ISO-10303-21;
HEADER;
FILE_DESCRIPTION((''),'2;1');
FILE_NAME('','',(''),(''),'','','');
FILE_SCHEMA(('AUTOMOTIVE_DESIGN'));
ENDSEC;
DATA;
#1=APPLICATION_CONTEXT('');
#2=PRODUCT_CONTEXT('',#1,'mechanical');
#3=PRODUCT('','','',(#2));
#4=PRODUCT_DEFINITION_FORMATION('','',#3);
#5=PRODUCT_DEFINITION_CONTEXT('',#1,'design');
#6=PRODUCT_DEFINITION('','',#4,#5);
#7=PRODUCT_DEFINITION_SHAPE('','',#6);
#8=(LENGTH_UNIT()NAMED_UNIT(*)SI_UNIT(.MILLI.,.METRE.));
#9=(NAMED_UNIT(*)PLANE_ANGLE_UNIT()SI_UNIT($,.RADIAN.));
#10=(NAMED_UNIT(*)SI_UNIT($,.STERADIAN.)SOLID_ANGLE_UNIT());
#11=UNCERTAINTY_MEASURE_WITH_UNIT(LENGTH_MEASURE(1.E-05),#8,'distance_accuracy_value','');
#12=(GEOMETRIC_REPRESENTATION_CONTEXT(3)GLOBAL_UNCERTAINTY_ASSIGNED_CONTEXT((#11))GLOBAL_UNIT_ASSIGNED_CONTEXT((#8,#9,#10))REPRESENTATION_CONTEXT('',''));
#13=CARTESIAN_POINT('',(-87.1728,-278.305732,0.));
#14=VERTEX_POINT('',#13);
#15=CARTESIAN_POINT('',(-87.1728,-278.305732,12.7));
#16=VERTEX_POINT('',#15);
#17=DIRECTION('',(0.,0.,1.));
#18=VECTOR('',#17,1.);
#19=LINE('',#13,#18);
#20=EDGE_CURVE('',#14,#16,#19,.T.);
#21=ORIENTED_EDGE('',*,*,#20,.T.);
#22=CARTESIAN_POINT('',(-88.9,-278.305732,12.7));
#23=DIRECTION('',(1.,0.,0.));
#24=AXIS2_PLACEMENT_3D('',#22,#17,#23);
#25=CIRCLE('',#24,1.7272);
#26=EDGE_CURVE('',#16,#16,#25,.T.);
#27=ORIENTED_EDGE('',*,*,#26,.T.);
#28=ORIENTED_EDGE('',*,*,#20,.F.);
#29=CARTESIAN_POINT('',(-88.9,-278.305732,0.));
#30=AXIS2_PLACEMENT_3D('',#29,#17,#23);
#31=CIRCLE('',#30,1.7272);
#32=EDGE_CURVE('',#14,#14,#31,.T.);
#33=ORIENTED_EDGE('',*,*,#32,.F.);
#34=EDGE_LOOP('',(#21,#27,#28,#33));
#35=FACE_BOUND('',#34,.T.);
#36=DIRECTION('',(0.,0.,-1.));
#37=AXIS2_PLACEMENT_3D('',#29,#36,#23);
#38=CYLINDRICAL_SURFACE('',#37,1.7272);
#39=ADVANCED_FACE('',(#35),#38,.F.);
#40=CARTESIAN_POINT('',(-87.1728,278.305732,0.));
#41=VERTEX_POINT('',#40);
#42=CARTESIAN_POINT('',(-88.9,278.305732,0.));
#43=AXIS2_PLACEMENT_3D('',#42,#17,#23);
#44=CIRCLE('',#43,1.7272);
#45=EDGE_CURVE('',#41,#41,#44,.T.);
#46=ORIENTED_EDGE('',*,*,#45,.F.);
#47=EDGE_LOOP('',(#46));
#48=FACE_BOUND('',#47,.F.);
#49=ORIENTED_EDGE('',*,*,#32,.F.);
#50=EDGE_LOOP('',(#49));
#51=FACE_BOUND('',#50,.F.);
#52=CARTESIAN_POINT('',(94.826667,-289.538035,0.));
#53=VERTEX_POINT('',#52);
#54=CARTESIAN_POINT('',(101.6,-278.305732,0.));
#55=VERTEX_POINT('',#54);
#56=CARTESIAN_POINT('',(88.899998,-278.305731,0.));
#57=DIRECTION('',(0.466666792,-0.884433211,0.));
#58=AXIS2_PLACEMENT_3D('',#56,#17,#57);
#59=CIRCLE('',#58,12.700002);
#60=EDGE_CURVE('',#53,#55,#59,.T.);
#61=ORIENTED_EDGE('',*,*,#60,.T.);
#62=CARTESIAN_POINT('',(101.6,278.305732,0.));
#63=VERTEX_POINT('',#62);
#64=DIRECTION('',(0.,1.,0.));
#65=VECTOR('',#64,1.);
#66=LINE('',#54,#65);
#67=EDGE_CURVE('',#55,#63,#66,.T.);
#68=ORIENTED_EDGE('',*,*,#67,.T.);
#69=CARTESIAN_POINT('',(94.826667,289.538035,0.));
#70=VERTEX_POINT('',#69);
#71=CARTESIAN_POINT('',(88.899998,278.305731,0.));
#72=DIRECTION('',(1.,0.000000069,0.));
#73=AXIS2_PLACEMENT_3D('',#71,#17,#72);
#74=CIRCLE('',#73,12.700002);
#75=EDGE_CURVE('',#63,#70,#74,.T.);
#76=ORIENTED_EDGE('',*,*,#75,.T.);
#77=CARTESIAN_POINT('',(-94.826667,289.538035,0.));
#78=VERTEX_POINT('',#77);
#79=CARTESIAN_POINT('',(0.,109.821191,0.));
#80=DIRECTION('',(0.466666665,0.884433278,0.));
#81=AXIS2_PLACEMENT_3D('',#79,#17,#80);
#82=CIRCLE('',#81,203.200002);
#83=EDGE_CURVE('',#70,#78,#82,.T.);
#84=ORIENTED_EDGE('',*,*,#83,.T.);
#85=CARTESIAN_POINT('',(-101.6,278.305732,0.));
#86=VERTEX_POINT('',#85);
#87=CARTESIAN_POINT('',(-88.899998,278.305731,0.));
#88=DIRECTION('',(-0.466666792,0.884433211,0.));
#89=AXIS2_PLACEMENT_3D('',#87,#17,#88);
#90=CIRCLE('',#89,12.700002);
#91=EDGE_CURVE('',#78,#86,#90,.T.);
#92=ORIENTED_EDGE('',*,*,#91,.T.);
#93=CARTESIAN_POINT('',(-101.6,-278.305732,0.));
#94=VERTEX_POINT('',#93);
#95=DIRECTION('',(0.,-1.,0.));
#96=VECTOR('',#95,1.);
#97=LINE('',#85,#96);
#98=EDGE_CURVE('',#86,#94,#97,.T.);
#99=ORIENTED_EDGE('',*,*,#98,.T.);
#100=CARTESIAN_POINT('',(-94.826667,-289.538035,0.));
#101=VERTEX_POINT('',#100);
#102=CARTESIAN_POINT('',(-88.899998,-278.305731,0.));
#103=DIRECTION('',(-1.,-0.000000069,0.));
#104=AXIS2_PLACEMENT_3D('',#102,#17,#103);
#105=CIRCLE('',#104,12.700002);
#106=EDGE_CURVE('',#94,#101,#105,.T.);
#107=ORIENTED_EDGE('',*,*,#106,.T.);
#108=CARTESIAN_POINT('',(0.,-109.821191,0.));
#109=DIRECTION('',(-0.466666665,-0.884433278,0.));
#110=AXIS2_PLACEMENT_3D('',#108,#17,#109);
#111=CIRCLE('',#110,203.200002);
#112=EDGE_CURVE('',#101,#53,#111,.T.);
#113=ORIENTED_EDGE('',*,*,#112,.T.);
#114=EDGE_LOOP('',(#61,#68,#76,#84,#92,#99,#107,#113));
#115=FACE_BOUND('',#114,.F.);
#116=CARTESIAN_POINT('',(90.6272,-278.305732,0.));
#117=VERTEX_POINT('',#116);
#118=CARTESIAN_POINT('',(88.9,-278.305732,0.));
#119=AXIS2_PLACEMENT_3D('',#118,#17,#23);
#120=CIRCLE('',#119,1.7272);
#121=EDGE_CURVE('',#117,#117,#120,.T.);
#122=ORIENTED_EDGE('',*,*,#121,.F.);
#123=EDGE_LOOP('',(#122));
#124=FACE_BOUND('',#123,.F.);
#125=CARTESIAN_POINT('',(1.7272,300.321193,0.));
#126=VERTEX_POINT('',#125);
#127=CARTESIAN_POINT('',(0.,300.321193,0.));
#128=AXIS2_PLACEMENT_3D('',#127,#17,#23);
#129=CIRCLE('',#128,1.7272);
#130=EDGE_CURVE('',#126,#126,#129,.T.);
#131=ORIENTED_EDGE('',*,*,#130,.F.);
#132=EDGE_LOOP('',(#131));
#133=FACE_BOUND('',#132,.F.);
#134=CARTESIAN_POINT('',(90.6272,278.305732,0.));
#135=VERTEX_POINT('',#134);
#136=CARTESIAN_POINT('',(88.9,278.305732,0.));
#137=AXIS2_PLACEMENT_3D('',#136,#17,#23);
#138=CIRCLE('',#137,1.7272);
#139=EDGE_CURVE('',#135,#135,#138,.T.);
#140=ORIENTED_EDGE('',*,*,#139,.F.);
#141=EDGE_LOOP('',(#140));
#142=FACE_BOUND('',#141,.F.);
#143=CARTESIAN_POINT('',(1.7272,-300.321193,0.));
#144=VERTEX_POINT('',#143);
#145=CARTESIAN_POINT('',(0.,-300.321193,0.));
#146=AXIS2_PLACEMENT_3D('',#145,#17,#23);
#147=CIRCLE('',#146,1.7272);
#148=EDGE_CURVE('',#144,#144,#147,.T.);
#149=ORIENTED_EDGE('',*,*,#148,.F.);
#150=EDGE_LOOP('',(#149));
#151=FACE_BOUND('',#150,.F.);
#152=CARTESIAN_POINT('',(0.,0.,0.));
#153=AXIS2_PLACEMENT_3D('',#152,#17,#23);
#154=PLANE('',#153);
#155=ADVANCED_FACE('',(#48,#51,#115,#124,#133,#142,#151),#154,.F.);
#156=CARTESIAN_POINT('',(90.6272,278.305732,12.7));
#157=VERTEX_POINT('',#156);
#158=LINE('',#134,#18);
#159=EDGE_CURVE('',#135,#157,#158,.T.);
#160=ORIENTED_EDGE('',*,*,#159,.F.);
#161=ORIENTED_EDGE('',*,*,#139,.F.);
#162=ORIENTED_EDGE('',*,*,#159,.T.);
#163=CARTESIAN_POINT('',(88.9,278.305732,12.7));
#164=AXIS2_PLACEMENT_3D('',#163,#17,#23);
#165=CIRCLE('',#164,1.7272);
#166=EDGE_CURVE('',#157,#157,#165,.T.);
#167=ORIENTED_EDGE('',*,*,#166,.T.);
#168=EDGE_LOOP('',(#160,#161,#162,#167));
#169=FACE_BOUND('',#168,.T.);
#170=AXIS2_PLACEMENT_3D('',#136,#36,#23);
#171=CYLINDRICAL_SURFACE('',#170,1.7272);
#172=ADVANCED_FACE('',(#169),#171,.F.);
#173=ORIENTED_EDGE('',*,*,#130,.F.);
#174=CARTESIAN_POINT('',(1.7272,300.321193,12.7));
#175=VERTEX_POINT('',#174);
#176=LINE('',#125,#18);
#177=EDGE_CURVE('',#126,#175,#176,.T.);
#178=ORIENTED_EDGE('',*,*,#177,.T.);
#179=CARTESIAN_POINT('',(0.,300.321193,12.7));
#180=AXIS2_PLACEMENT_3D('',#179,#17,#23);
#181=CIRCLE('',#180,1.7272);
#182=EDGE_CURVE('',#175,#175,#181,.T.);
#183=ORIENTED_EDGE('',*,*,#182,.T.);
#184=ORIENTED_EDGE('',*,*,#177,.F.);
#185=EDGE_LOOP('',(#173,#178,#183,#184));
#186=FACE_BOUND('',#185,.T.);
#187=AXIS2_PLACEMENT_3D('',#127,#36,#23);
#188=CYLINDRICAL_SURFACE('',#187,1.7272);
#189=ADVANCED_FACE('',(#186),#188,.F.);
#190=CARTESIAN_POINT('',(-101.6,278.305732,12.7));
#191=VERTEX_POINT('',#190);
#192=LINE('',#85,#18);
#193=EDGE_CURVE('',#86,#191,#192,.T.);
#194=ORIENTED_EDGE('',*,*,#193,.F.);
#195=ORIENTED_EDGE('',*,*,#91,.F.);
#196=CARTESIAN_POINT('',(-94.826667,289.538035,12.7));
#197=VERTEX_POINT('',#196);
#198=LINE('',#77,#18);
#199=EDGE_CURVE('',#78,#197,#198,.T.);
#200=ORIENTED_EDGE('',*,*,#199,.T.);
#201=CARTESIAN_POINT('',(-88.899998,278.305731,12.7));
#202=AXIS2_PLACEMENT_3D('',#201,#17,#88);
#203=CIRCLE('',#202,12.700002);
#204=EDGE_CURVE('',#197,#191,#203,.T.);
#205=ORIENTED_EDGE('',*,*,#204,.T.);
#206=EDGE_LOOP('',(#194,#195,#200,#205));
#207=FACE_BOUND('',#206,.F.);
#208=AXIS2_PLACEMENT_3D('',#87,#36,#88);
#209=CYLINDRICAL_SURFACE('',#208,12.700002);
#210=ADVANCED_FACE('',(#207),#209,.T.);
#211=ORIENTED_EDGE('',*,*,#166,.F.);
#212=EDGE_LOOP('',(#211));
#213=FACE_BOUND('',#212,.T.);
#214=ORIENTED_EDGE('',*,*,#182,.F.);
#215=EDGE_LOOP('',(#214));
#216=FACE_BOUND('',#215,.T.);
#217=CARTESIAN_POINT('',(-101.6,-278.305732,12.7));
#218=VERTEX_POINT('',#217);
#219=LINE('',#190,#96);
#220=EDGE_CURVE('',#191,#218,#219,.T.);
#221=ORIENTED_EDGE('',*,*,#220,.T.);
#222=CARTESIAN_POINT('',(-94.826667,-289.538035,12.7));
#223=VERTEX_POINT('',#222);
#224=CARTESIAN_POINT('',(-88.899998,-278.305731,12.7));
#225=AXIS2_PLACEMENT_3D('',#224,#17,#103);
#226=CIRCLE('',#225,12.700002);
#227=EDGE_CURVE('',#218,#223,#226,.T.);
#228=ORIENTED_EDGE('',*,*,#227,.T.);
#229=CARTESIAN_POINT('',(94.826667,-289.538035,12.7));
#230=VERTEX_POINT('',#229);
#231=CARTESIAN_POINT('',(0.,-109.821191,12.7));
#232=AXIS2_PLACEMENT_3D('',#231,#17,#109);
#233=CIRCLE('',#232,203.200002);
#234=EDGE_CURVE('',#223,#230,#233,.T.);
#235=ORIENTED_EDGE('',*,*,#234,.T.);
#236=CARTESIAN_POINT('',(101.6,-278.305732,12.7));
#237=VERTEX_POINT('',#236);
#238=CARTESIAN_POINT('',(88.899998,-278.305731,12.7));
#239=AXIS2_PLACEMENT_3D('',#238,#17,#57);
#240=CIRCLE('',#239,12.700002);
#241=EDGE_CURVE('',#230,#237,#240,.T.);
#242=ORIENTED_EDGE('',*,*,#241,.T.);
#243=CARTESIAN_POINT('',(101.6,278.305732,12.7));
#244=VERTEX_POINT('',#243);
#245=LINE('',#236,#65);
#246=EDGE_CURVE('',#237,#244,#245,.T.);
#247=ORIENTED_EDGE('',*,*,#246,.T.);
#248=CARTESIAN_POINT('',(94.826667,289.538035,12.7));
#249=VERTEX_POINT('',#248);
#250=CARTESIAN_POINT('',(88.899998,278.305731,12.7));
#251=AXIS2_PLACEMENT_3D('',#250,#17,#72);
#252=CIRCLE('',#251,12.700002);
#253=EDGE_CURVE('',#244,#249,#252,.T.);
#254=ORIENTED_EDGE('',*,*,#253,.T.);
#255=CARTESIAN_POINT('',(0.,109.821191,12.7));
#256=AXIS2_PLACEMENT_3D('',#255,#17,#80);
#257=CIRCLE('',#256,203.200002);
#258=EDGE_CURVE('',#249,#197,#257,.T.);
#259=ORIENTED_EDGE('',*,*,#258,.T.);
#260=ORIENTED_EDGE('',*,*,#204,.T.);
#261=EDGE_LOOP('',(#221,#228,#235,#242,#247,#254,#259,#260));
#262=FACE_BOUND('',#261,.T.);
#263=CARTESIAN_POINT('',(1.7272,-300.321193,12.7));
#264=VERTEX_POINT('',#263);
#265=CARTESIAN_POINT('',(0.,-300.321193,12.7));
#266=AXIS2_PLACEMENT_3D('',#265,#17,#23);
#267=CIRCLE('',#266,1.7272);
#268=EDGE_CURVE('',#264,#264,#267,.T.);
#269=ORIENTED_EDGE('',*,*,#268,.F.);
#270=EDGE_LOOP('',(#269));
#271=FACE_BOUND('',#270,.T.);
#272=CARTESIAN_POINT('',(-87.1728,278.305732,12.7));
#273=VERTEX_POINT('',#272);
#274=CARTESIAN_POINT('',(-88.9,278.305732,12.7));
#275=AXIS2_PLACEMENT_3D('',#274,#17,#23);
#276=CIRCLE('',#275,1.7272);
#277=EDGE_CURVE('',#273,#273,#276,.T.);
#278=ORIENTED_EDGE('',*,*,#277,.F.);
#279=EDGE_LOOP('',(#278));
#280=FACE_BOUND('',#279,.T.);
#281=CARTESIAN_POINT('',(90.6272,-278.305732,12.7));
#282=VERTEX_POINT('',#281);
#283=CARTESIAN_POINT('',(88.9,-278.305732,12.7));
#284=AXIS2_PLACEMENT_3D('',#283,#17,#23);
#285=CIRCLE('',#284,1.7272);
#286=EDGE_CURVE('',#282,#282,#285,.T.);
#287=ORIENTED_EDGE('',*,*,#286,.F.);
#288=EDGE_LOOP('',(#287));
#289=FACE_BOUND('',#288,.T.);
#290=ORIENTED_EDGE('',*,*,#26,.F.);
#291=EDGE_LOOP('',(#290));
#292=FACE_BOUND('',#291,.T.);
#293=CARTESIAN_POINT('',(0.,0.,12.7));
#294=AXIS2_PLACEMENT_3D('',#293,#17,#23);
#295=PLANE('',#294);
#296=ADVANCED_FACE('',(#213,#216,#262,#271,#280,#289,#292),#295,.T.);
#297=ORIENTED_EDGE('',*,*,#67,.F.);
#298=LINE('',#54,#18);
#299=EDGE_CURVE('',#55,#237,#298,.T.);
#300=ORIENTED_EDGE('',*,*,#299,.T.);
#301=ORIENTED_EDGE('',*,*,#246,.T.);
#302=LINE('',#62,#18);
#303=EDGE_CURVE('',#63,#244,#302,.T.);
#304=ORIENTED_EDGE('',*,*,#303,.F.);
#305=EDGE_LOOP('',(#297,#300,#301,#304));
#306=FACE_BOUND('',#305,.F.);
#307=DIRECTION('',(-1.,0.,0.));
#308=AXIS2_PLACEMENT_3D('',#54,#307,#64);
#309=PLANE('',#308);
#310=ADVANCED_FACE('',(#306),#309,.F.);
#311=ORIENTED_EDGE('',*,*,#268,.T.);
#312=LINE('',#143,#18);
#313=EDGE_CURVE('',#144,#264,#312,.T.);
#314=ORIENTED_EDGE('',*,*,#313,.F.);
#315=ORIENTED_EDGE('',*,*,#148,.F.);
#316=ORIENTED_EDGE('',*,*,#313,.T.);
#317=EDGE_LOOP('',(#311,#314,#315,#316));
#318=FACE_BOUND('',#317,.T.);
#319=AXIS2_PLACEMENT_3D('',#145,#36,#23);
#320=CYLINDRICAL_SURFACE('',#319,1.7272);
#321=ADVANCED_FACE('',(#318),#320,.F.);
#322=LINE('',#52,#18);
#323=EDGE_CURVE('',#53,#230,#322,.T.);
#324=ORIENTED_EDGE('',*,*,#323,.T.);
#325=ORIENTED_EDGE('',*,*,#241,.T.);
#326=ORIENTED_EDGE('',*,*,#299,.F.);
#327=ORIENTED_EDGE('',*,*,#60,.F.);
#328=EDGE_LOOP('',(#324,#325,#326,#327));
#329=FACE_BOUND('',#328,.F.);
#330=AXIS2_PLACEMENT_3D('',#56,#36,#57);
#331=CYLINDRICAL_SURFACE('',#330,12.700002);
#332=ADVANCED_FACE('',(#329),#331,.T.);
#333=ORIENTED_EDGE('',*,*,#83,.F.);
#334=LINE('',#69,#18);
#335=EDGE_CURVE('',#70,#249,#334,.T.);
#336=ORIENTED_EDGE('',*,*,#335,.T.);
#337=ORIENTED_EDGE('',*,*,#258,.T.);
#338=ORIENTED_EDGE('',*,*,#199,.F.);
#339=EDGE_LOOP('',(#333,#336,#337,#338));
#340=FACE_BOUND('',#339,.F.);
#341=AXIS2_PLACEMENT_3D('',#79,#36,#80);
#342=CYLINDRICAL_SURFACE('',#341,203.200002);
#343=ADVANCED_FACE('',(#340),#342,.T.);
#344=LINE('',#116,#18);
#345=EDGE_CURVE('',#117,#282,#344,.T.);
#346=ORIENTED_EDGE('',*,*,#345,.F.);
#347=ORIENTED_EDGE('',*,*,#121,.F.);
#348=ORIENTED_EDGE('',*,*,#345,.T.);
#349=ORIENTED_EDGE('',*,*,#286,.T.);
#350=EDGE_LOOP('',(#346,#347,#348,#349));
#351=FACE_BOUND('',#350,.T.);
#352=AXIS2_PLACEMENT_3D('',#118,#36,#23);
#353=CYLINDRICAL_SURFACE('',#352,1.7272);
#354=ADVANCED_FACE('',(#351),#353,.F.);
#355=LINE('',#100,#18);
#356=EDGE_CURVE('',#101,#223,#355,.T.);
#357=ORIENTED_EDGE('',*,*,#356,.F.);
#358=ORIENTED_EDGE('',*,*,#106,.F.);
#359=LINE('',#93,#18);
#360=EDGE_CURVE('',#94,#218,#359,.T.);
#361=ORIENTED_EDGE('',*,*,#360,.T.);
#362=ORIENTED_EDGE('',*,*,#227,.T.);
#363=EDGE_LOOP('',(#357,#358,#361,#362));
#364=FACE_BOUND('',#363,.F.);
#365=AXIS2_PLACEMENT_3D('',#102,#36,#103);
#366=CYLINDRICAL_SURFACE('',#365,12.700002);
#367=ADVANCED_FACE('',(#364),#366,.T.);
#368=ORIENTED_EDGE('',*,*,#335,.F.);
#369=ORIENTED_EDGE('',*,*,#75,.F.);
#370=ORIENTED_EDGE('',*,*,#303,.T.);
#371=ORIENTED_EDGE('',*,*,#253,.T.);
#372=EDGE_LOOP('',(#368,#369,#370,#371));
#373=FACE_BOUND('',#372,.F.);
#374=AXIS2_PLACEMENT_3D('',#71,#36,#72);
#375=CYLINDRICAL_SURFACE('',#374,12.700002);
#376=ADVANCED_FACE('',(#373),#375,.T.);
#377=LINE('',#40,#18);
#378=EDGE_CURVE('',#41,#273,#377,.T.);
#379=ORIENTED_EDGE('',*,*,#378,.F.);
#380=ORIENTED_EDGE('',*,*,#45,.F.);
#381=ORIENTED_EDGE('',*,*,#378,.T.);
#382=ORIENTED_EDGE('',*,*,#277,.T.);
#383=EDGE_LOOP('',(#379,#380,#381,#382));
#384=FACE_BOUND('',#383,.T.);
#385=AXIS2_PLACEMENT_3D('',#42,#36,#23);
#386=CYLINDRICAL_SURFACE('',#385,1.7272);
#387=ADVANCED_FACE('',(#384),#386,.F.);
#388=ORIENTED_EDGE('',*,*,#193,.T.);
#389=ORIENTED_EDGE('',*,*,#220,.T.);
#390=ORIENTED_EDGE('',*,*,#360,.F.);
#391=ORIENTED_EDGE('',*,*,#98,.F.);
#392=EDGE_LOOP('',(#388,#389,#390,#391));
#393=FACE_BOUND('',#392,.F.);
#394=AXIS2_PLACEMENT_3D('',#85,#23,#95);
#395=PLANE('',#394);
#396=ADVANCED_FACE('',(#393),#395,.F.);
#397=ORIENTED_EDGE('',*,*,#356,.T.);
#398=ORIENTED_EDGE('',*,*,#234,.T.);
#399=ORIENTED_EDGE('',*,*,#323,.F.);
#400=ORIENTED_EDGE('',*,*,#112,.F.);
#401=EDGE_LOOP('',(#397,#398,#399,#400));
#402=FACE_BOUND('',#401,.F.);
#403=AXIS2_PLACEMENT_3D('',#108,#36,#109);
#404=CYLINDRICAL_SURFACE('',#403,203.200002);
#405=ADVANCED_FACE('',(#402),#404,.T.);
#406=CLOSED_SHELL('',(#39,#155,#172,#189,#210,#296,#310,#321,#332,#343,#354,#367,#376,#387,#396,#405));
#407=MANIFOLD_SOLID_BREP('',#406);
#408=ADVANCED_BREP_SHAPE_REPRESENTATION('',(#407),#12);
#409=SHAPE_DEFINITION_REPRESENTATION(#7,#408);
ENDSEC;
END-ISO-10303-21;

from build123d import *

# Parameters (mm, degrees)
F0_R     = 1.7272
F1_DEPTH = 12.7


with BuildPart() as f1:
    # F0 (on Top) → F1 (new body)
    with BuildSketch(Plane.XY):
        with BuildLine():
            Line((101.6, -278.305732), (101.6, 278.305732))
            ThreePointArc((101.6, 278.305732), (99.77563, 284.863984), (94.826667, 289.538035))
            ThreePointArc((94.826667, 289.538035), (0, 313.021193), (-94.826667, 289.538035))
            ThreePointArc((-94.826667, 289.538035), (-99.77563, 284.863984), (-101.6, 278.305732))
            Line((-101.6, 278.305732), (-101.6, -278.305732))
            ThreePointArc((-101.6, -278.305732), (-99.77563, -284.863984), (-94.826667, -289.538035))
            ThreePointArc((-94.826667, -289.538035), (0, -313.021193), (94.826667, -289.538035))
            ThreePointArc((94.826667, -289.538035), (99.77563, -284.863984), (101.6, -278.305732))
        make_face()
        with Locations((-88.9, -278.305732)):
            Circle(F0_R, mode=Mode.SUBTRACT)
        with Locations((0, -300.321193)):
            Circle(F0_R, mode=Mode.SUBTRACT)
        with Locations((88.9, -278.305732)):
            Circle(F0_R, mode=Mode.SUBTRACT)
        with Locations((-88.9, 278.305732)):
            Circle(F0_R, mode=Mode.SUBTRACT)
        with Locations((0, 300.321193)):
            Circle(F0_R, mode=Mode.SUBTRACT)
        with Locations((88.9, 278.305732)):
            Circle(F0_R, mode=Mode.SUBTRACT)
    extrude(amount=F1_DEPTH)


solid = f1.part
